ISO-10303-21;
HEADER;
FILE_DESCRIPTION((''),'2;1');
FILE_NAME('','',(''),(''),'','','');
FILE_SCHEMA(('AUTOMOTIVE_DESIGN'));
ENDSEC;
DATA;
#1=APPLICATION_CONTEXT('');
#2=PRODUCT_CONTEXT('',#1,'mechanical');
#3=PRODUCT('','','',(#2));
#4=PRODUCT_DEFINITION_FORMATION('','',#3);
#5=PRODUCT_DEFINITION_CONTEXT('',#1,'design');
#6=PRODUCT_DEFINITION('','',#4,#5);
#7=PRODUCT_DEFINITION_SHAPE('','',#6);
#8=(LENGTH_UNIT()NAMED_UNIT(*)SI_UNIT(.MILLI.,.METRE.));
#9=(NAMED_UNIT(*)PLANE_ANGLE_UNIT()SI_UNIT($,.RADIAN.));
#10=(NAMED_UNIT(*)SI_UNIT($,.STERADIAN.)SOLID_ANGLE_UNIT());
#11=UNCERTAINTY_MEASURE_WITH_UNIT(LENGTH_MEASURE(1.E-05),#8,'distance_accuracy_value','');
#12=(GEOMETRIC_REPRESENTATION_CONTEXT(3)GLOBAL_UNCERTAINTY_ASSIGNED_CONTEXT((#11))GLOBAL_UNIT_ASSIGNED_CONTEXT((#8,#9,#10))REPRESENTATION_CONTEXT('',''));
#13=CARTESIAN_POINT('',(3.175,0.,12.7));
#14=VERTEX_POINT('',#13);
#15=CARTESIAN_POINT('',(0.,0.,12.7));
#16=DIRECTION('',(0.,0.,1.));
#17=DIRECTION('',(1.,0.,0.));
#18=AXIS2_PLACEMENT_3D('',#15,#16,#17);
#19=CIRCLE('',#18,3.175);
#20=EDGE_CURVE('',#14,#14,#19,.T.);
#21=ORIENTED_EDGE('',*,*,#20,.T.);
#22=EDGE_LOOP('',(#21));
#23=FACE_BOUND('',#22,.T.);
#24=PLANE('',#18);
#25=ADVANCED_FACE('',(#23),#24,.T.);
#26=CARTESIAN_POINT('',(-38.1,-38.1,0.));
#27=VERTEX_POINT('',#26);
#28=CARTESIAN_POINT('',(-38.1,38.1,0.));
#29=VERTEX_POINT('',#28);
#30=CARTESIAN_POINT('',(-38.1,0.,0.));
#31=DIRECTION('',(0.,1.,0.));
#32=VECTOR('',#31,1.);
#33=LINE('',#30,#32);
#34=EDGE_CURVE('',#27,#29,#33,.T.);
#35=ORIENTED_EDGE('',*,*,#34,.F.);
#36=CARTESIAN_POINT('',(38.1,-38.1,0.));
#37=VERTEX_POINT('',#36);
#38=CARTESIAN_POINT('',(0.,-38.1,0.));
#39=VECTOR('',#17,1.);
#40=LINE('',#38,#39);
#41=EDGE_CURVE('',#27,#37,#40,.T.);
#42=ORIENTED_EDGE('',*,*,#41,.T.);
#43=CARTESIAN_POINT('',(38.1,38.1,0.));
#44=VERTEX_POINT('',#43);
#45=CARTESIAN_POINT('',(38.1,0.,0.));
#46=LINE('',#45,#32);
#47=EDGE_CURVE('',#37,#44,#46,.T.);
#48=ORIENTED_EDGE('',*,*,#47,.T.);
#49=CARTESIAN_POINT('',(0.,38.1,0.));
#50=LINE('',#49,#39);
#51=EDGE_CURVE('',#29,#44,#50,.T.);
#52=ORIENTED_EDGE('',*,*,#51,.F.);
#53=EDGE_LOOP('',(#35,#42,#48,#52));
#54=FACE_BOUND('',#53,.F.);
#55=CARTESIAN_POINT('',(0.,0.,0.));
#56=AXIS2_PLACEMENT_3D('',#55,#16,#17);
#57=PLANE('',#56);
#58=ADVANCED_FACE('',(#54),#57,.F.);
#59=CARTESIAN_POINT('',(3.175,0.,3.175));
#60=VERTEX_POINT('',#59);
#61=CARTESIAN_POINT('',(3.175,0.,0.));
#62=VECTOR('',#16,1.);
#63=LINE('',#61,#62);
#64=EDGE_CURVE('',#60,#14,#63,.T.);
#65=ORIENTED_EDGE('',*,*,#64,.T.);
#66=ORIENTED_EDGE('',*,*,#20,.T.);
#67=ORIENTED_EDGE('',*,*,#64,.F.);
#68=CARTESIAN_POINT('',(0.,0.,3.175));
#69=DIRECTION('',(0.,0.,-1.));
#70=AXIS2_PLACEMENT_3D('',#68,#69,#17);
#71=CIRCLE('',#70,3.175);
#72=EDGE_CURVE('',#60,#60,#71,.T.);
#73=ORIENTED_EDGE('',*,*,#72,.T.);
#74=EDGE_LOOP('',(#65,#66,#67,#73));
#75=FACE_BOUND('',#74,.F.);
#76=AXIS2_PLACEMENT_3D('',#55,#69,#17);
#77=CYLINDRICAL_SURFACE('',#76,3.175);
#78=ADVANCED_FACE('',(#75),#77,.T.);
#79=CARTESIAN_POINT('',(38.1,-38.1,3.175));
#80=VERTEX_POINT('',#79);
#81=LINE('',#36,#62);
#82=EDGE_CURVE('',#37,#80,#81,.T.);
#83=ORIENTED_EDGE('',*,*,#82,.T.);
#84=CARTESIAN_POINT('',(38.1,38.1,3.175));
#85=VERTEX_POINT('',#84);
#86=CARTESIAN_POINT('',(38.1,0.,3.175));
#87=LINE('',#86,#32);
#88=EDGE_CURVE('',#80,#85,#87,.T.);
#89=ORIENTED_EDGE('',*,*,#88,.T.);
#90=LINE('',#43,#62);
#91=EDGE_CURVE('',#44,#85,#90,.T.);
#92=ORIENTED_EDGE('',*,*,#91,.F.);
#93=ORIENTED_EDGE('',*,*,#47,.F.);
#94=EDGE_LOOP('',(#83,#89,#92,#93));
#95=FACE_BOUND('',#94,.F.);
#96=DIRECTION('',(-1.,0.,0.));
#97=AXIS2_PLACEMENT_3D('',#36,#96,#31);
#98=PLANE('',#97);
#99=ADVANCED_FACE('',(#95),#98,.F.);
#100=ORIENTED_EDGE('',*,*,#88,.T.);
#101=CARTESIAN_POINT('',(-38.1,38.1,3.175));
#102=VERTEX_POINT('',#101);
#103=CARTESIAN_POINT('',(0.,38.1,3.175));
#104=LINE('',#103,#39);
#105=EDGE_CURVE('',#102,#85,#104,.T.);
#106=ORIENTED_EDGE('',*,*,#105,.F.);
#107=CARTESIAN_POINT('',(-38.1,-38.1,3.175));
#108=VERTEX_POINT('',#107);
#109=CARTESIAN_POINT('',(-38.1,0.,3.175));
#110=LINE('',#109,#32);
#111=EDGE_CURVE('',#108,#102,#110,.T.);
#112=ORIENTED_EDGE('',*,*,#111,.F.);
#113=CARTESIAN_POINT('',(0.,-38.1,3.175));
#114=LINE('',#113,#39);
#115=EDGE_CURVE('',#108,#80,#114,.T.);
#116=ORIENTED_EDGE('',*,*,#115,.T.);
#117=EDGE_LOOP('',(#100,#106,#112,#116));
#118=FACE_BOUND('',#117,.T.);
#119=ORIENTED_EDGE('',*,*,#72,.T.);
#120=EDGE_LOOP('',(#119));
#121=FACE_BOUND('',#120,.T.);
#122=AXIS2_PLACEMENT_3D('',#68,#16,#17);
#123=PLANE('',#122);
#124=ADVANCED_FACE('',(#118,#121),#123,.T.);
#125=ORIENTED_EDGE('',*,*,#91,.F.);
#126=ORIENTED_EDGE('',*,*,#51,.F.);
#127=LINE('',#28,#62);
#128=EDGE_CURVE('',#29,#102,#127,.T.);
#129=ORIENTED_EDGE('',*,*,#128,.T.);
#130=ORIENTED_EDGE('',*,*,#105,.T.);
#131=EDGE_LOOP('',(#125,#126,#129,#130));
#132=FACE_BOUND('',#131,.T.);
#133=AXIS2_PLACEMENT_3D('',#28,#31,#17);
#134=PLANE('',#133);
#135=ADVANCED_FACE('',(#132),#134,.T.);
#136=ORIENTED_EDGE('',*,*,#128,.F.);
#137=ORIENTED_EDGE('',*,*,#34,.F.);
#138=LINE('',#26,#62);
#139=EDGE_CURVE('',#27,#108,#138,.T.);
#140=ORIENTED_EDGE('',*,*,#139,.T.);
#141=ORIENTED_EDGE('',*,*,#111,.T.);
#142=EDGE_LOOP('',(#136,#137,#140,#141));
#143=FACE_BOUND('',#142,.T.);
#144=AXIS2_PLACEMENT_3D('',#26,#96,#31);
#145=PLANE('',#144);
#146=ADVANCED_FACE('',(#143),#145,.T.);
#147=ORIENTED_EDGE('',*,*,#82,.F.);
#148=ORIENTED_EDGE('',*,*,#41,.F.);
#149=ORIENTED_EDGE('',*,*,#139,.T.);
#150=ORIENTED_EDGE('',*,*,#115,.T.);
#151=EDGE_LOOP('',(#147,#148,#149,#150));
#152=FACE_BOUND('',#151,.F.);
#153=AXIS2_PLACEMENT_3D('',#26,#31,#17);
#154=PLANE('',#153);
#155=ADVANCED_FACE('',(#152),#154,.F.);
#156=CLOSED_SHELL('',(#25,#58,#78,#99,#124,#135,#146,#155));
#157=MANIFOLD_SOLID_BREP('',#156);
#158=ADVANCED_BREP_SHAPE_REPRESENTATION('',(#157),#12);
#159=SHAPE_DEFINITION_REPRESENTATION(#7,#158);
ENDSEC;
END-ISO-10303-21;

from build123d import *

# Parameters (mm, degrees)
F0_R     = 3.175
F1_DEPTH = 12.7
F2_W     = 76.2
F2_H     = 76.2
F3_DEPTH = 3.175


with BuildPart() as f1:
    # F0 (on Top) → F1 (new body)
    with BuildSketch(Plane.XY):
        Circle(F0_R)
    extrude(amount=F1_DEPTH)

    # F2 (on Top) → F3 (join)
    with BuildSketch(Plane.XY):
        Rectangle(F2_W, F2_H)
    extrude(amount=F3_DEPTH)


solid = f1.part
